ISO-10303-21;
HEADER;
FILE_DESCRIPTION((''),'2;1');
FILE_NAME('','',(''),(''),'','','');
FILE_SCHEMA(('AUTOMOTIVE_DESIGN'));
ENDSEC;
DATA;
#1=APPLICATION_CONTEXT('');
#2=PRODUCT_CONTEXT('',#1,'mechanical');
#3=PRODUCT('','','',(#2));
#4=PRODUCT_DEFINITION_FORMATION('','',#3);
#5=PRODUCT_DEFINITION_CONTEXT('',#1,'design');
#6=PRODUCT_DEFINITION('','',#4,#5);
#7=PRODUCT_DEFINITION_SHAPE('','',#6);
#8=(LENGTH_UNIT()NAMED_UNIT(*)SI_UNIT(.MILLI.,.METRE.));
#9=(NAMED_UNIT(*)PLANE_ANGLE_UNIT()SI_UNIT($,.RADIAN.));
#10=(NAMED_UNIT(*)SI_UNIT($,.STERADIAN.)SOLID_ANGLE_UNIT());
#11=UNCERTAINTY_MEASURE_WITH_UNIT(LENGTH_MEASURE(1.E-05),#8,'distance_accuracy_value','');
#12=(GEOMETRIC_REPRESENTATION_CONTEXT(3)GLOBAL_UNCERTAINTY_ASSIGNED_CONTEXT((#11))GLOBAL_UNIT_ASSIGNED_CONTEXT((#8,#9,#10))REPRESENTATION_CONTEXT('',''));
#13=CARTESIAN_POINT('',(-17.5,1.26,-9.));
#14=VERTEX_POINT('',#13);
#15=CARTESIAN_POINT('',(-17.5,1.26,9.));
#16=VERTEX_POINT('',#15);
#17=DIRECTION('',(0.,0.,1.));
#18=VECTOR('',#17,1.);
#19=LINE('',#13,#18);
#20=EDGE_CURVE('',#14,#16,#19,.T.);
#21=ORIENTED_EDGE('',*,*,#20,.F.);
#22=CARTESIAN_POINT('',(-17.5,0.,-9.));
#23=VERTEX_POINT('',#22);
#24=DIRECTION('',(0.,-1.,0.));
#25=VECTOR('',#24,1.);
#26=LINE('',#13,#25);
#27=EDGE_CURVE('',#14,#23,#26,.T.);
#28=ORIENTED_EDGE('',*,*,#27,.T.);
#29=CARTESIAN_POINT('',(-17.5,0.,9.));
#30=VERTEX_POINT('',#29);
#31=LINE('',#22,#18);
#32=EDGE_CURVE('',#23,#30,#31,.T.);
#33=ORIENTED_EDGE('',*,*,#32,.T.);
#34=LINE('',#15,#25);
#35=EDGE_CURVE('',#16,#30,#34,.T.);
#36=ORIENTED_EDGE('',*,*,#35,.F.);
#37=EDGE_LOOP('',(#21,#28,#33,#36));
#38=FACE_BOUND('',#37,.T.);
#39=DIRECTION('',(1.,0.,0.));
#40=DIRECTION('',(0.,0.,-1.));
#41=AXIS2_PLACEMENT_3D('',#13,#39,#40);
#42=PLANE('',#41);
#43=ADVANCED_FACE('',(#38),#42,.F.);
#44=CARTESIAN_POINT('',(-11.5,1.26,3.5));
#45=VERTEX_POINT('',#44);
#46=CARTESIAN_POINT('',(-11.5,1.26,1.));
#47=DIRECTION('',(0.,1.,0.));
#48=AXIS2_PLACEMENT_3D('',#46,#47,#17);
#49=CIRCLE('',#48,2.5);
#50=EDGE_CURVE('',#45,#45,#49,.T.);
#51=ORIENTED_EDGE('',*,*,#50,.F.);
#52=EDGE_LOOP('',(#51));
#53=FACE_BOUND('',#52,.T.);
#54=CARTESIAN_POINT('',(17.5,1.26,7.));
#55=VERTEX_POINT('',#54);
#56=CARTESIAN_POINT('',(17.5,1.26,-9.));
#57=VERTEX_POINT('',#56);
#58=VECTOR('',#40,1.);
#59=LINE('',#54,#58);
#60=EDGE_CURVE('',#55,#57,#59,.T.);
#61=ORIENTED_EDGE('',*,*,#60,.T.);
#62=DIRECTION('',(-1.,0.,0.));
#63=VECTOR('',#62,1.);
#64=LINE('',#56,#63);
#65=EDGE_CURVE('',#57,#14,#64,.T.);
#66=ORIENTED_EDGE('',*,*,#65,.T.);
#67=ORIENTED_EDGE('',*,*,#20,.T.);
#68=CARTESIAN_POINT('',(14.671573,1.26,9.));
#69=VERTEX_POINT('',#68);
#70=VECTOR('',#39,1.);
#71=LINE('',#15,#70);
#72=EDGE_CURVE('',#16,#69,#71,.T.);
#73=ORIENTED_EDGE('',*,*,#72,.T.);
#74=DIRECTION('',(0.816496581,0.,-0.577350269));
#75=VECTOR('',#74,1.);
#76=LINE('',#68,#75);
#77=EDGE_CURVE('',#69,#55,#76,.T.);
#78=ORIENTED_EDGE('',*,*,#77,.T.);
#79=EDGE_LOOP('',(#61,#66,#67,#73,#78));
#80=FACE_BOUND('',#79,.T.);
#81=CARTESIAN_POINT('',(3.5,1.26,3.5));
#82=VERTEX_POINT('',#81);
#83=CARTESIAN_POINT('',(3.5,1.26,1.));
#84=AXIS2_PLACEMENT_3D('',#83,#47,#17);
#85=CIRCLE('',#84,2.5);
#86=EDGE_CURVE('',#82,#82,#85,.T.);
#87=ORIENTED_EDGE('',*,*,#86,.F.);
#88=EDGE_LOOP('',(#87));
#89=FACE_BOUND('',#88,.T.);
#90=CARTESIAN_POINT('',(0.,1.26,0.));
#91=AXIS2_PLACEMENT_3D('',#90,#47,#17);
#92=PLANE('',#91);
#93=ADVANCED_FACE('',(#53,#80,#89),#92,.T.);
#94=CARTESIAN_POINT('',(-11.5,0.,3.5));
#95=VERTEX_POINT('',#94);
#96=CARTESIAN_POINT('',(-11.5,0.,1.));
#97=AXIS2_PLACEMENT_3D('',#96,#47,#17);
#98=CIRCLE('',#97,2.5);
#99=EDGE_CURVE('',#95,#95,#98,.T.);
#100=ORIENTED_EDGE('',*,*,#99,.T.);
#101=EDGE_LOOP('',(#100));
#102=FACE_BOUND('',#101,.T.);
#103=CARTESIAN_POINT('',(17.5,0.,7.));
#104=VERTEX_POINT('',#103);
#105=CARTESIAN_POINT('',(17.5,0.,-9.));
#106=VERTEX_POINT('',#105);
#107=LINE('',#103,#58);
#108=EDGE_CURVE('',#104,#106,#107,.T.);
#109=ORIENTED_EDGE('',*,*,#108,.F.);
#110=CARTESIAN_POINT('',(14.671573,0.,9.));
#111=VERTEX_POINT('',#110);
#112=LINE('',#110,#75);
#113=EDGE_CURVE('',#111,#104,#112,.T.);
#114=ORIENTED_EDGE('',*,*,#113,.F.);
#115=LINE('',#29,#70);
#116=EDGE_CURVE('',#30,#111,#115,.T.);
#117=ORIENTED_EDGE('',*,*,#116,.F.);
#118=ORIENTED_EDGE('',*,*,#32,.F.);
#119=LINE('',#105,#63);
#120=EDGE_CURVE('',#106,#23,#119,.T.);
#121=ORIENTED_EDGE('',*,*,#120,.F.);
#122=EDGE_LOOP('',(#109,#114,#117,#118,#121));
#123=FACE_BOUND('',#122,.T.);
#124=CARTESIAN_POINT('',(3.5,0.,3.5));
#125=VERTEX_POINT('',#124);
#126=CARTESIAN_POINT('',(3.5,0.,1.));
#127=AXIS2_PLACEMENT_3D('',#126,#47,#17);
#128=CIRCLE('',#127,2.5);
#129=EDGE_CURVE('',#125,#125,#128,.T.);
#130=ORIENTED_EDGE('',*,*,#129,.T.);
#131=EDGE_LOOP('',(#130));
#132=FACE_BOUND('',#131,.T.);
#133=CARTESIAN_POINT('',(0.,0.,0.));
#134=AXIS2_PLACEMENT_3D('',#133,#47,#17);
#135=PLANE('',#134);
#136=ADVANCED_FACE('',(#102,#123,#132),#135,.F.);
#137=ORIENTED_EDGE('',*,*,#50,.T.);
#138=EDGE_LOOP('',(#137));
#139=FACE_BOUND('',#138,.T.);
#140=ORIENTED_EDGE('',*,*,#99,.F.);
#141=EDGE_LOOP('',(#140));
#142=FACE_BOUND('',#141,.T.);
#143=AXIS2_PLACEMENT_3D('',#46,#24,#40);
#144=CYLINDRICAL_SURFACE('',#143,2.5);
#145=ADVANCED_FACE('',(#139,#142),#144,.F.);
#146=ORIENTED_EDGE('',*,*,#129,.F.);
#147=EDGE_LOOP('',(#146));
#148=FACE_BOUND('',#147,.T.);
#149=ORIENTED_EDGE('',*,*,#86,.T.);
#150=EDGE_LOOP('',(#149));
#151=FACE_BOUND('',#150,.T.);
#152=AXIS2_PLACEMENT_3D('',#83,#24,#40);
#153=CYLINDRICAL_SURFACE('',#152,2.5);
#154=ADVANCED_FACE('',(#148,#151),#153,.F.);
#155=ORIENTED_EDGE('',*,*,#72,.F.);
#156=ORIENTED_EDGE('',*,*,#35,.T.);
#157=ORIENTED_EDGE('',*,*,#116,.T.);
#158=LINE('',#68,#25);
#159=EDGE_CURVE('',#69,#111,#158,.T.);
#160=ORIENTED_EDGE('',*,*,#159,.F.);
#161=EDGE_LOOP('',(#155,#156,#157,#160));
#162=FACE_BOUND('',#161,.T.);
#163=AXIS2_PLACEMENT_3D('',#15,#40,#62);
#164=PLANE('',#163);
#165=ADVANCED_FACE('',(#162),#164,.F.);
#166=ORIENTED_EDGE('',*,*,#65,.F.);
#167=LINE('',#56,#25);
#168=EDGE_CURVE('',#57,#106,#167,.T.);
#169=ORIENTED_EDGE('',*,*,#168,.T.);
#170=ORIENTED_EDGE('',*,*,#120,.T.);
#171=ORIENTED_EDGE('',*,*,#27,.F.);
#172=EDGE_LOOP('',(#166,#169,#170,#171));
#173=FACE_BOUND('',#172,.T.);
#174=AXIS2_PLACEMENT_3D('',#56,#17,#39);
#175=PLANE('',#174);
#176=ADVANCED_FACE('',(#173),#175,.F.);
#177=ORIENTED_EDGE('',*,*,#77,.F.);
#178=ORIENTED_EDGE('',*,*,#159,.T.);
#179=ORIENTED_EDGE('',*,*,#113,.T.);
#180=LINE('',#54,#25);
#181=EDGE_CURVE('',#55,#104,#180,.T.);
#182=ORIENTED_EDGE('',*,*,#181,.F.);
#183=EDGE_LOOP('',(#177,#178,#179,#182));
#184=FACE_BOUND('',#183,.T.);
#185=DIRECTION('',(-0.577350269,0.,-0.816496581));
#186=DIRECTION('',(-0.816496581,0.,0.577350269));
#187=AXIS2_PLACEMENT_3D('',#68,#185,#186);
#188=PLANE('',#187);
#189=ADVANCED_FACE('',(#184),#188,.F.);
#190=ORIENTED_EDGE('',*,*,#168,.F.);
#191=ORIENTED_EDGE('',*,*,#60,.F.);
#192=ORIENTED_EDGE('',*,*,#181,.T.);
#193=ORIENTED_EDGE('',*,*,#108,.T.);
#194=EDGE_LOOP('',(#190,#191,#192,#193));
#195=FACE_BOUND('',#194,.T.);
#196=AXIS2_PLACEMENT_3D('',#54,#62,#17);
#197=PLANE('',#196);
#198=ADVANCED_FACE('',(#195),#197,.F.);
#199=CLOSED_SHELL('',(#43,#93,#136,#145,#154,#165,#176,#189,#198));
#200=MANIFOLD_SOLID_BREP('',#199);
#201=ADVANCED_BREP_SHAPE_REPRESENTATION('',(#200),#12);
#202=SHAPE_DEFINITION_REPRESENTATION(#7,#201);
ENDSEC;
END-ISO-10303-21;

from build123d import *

# Parameters (mm, degrees)
ESBO_O1_R                = 2.5
RESSALTO_EXTRUS_O1_DEPTH = 1.26


with BuildPart() as part:
    # Esboço1 → Ressalto-extrusão1 (new body)
    with BuildSketch(Plane(origin=(0, 0, 0), x_dir=(1, 0, 0), z_dir=(0, 1, 0))):
        Polygon((-17.5, -9), (14.671572875, -9), (17.5, -7), (17.5, 9), (-17.5, 9), align=None)
        with Locations(Location((3.5, -1, 0), (0, 0, 270))):
            Circle(ESBO_O1_R, mode=Mode.SUBTRACT)
        with Locations(Location((-11.5, -1, 0), (0, 0, 270))):
            Circle(ESBO_O1_R, mode=Mode.SUBTRACT)
    extrude(amount=RESSALTO_EXTRUS_O1_DEPTH)


solid = part.part
